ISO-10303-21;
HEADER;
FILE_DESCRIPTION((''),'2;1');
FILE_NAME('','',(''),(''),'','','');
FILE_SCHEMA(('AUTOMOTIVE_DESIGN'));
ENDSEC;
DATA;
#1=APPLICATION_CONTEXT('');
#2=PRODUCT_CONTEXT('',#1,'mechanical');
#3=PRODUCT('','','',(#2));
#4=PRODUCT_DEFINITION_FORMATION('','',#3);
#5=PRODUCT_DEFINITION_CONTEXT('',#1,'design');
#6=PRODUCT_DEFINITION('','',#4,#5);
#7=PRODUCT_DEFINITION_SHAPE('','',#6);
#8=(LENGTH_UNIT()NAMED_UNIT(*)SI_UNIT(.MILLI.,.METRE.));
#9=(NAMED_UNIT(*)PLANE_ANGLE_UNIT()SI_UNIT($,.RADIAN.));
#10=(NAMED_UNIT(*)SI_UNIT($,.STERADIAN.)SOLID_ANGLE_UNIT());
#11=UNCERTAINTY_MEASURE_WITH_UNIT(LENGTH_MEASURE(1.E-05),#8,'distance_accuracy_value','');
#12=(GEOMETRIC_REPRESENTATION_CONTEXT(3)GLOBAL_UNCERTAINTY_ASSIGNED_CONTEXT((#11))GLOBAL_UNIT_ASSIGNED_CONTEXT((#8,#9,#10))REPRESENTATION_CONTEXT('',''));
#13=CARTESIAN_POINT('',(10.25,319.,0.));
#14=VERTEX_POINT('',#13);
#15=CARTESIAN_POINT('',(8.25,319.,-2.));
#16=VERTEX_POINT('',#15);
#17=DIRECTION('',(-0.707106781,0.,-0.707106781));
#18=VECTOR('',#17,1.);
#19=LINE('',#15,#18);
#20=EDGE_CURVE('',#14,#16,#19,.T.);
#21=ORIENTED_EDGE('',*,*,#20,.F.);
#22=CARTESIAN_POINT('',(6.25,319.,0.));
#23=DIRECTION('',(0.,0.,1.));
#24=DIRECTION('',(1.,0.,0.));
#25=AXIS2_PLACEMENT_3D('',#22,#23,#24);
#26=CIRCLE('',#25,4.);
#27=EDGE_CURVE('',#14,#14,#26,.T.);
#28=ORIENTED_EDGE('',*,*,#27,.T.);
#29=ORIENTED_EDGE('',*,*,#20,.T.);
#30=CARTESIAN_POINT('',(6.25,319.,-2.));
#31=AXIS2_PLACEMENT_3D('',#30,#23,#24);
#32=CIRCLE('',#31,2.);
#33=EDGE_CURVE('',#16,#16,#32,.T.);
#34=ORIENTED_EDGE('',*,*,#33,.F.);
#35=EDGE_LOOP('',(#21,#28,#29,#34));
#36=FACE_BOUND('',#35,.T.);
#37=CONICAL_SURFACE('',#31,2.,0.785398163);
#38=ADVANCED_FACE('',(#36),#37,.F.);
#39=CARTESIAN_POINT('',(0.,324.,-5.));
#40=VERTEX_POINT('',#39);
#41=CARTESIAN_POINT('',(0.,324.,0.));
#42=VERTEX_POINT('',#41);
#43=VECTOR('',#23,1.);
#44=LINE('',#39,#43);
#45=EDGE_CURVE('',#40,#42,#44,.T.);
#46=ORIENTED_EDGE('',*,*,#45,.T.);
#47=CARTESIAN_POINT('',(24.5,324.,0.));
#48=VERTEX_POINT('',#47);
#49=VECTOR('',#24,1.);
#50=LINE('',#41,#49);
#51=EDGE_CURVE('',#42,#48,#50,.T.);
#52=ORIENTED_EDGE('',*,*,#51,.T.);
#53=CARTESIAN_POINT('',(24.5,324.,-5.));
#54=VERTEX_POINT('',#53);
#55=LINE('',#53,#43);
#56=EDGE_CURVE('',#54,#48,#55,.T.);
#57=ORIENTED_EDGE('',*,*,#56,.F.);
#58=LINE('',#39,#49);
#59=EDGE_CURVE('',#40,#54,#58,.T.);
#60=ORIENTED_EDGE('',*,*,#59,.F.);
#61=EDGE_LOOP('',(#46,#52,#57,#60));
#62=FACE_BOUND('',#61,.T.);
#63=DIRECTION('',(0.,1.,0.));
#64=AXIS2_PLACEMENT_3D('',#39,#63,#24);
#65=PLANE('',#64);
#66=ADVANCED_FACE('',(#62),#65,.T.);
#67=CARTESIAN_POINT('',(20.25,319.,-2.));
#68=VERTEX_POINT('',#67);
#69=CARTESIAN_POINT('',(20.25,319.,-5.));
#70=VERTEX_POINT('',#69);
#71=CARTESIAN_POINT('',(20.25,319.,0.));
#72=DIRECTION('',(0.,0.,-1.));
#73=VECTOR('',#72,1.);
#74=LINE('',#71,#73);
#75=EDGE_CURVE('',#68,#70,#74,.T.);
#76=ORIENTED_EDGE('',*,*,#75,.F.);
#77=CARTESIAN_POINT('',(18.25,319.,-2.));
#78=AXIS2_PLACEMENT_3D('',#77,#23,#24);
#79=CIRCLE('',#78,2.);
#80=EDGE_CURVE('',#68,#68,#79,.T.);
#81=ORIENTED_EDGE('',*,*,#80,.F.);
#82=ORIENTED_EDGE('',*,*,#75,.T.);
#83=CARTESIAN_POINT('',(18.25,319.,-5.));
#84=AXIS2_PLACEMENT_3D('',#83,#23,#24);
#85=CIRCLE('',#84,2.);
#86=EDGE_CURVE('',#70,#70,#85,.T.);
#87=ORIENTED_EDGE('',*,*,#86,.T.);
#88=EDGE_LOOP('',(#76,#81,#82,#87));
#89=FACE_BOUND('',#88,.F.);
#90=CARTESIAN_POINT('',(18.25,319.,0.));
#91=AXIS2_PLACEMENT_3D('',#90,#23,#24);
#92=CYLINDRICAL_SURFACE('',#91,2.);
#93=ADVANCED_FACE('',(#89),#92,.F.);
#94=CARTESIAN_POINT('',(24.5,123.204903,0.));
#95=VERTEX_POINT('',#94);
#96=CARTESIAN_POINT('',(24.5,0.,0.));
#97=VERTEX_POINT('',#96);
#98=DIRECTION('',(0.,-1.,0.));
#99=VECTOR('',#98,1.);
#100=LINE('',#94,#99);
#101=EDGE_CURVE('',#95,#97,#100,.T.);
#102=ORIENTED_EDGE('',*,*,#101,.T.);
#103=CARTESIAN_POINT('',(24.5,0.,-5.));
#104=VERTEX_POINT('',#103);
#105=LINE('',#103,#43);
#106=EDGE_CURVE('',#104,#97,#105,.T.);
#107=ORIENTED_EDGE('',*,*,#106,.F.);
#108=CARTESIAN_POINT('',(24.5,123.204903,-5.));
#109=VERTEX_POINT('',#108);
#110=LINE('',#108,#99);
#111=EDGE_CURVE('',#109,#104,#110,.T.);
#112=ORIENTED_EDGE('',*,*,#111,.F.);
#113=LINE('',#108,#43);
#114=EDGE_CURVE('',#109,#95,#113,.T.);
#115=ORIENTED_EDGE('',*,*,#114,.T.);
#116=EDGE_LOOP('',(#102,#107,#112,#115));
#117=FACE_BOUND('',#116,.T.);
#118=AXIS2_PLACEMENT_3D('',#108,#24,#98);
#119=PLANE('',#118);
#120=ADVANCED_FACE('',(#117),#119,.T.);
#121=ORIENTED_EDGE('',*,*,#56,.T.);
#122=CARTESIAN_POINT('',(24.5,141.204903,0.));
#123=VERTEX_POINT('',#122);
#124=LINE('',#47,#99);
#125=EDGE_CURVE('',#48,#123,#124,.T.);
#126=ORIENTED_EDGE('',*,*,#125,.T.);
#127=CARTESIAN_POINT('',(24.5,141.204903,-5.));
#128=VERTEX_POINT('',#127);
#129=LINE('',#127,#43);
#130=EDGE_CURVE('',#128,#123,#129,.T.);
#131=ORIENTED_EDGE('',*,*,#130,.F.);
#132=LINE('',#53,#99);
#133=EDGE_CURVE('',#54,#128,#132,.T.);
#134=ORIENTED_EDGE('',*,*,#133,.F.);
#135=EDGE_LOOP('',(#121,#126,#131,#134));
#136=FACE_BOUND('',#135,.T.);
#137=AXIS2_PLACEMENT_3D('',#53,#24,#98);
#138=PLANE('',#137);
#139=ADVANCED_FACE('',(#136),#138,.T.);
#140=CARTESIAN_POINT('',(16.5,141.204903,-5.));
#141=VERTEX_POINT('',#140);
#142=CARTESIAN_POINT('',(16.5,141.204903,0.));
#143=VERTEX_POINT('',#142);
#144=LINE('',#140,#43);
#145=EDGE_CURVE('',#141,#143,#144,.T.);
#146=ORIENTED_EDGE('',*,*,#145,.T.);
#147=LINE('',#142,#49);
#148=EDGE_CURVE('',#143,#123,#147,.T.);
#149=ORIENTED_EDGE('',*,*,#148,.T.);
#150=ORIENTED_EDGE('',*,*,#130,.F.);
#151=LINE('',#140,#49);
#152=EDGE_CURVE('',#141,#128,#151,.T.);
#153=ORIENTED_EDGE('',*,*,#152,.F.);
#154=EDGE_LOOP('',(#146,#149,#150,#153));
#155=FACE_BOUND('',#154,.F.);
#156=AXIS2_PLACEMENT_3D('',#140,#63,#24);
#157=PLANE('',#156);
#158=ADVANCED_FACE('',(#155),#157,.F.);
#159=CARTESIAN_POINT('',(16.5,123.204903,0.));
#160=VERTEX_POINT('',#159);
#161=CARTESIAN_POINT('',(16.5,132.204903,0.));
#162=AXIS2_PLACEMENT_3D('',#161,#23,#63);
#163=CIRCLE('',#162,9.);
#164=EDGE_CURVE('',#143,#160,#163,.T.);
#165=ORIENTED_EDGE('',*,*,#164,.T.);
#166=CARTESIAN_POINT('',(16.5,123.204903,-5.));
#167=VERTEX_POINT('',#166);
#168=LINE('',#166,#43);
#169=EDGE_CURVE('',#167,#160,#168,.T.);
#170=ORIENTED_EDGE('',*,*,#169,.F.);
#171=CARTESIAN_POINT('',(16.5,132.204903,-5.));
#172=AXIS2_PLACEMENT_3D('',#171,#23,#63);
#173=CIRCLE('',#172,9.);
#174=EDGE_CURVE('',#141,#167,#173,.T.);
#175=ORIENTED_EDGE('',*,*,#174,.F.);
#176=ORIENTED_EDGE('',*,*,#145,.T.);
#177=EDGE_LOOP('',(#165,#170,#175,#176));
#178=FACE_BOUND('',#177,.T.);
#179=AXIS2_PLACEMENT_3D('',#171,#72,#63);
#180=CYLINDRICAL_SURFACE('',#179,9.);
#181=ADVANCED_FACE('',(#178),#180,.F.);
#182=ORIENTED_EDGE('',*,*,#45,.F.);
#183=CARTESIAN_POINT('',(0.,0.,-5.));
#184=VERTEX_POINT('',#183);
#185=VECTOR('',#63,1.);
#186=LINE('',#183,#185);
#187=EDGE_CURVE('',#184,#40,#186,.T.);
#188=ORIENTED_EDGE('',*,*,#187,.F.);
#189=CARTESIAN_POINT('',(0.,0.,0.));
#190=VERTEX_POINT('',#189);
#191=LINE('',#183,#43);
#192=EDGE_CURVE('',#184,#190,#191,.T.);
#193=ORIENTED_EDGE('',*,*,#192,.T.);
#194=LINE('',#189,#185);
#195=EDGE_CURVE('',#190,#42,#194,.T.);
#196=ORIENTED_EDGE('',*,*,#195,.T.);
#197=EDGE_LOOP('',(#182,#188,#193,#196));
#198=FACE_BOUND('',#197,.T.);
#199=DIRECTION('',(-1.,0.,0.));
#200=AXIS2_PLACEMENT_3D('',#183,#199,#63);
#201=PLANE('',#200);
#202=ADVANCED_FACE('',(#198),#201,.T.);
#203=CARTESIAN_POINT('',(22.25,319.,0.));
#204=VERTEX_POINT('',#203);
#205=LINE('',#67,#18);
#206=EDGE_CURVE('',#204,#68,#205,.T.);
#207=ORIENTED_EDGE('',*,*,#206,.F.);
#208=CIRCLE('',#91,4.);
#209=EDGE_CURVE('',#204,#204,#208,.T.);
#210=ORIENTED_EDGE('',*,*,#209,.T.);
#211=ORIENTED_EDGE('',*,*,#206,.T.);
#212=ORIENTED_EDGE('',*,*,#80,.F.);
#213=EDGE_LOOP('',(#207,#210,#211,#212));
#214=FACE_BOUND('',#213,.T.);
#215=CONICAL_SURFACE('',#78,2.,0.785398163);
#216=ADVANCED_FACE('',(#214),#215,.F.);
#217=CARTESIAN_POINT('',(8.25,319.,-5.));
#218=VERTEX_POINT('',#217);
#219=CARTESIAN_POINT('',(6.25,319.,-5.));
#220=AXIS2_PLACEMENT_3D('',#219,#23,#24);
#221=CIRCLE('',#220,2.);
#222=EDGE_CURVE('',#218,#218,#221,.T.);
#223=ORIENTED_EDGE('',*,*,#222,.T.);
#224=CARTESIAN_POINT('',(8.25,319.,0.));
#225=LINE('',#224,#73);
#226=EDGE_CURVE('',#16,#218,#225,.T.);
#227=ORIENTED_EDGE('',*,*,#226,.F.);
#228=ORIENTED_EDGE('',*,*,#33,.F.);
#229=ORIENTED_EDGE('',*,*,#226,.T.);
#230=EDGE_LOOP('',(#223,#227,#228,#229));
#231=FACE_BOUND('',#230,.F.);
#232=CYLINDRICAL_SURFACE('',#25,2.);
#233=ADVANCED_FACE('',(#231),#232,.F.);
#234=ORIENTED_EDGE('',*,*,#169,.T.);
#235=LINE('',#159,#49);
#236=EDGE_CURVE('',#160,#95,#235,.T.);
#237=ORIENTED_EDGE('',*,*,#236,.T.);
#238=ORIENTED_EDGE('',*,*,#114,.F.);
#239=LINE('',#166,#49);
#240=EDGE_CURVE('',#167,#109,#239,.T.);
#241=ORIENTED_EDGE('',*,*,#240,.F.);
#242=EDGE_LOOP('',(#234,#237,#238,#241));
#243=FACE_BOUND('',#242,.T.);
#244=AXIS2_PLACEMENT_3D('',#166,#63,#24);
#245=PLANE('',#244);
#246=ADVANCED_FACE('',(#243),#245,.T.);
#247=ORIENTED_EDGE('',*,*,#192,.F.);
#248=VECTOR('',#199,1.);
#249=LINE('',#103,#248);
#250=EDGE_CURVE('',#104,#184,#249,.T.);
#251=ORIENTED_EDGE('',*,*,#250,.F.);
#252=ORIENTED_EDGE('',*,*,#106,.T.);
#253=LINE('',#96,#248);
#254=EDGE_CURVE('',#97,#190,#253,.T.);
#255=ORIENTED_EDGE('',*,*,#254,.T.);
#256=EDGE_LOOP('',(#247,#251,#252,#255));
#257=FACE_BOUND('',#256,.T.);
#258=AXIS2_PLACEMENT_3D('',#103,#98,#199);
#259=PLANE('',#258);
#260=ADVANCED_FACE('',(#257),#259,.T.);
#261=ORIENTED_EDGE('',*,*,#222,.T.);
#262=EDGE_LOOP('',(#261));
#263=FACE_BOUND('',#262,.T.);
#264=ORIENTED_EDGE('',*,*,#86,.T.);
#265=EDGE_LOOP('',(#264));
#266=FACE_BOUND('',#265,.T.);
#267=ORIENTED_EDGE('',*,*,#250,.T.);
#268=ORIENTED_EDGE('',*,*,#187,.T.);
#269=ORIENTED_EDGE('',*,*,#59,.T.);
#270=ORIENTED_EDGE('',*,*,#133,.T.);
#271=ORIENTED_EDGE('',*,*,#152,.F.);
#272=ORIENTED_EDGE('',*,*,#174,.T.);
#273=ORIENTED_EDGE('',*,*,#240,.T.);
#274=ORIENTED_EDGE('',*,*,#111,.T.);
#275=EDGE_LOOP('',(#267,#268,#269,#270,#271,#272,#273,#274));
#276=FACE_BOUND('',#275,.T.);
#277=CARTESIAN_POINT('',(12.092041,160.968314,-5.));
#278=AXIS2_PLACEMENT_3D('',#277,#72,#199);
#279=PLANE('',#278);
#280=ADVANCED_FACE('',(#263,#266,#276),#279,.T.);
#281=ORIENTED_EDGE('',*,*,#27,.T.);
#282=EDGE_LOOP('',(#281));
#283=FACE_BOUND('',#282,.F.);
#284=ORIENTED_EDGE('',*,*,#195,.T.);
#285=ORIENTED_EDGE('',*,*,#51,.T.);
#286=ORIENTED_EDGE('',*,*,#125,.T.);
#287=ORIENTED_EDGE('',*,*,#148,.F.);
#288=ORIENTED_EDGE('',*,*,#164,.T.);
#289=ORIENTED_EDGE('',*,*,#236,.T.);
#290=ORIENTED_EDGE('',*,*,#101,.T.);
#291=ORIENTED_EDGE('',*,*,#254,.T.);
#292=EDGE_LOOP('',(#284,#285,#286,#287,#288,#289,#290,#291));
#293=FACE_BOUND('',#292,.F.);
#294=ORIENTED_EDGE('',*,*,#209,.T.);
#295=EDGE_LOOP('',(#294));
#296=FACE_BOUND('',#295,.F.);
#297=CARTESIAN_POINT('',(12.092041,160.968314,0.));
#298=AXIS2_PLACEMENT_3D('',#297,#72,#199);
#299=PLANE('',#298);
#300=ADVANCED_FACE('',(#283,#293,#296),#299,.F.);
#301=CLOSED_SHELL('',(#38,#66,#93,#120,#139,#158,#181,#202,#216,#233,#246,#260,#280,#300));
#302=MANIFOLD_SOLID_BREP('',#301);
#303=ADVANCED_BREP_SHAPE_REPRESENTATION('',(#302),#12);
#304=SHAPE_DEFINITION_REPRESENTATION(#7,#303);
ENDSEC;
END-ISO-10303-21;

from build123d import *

# Parameters (mm, degrees)
PAD025_DEPTH    = 5
SKETCH057_R     = 2
POCKET035_DEPTH = 5.001
CHAMFER019_SIZE = 2


with BuildPart() as part:
    # Sketch051 → Pad025 (new body)
    with BuildSketch(Plane.XY):
        with BuildLine():
            Line((-171.323184, 15.404903), (-171.323184, -107.8))
            Line((-171.323184, -107.8), (-195.823184, -107.8))
            Line((-195.823184, -107.8), (-195.823184, 216.2))
            Line((-195.823184, 216.2), (-171.323184, 216.2))
            Line((-171.323184, 216.2), (-171.323184, 33.404903))
            Line((-179.323184, 33.404903), (-171.323184, 33.404903))
            ThreePointArc((-179.323184, 33.404903), (-188.323184, 24.404903), (-179.323184, 15.404903))
            Line((-179.323184, 15.404903), (-171.323184, 15.404903))
        make_face()
    extrude(amount=PAD025_DEPTH)

    # Sketch057 (on Face10 of Pad025) → Pocket035 (cut, through all)
    with BuildSketch(Plane.XY.offset(5)):
        with Locations((-189.573184, 211.2)):
            Circle(SKETCH057_R)
        with Locations((-177.573184, 211.2)):
            Circle(SKETCH057_R)
    extrude(amount=-POCKET035_DEPTH, mode=Mode.SUBTRACT)

    # Chamfer019
    chamfer019_edges = [part.edges().sort_by_distance(p)[0] for p in [
        (-191.573184, 211.2, 5),
        (-179.573184, 211.2, 5),
    ]]
    chamfer(chamfer019_edges, length=CHAMFER019_SIZE)


with BuildPart() as part_1:
    # Body018 placement: moved
    add(part.part.moved(Location((0, 0, 15.5))))


with BuildPart() as part_2:
    # Clone007 placement: moved
    add(part_1.part.moved(Location((195.823184, 107.8, -20.5))))


solid = part_2.part
